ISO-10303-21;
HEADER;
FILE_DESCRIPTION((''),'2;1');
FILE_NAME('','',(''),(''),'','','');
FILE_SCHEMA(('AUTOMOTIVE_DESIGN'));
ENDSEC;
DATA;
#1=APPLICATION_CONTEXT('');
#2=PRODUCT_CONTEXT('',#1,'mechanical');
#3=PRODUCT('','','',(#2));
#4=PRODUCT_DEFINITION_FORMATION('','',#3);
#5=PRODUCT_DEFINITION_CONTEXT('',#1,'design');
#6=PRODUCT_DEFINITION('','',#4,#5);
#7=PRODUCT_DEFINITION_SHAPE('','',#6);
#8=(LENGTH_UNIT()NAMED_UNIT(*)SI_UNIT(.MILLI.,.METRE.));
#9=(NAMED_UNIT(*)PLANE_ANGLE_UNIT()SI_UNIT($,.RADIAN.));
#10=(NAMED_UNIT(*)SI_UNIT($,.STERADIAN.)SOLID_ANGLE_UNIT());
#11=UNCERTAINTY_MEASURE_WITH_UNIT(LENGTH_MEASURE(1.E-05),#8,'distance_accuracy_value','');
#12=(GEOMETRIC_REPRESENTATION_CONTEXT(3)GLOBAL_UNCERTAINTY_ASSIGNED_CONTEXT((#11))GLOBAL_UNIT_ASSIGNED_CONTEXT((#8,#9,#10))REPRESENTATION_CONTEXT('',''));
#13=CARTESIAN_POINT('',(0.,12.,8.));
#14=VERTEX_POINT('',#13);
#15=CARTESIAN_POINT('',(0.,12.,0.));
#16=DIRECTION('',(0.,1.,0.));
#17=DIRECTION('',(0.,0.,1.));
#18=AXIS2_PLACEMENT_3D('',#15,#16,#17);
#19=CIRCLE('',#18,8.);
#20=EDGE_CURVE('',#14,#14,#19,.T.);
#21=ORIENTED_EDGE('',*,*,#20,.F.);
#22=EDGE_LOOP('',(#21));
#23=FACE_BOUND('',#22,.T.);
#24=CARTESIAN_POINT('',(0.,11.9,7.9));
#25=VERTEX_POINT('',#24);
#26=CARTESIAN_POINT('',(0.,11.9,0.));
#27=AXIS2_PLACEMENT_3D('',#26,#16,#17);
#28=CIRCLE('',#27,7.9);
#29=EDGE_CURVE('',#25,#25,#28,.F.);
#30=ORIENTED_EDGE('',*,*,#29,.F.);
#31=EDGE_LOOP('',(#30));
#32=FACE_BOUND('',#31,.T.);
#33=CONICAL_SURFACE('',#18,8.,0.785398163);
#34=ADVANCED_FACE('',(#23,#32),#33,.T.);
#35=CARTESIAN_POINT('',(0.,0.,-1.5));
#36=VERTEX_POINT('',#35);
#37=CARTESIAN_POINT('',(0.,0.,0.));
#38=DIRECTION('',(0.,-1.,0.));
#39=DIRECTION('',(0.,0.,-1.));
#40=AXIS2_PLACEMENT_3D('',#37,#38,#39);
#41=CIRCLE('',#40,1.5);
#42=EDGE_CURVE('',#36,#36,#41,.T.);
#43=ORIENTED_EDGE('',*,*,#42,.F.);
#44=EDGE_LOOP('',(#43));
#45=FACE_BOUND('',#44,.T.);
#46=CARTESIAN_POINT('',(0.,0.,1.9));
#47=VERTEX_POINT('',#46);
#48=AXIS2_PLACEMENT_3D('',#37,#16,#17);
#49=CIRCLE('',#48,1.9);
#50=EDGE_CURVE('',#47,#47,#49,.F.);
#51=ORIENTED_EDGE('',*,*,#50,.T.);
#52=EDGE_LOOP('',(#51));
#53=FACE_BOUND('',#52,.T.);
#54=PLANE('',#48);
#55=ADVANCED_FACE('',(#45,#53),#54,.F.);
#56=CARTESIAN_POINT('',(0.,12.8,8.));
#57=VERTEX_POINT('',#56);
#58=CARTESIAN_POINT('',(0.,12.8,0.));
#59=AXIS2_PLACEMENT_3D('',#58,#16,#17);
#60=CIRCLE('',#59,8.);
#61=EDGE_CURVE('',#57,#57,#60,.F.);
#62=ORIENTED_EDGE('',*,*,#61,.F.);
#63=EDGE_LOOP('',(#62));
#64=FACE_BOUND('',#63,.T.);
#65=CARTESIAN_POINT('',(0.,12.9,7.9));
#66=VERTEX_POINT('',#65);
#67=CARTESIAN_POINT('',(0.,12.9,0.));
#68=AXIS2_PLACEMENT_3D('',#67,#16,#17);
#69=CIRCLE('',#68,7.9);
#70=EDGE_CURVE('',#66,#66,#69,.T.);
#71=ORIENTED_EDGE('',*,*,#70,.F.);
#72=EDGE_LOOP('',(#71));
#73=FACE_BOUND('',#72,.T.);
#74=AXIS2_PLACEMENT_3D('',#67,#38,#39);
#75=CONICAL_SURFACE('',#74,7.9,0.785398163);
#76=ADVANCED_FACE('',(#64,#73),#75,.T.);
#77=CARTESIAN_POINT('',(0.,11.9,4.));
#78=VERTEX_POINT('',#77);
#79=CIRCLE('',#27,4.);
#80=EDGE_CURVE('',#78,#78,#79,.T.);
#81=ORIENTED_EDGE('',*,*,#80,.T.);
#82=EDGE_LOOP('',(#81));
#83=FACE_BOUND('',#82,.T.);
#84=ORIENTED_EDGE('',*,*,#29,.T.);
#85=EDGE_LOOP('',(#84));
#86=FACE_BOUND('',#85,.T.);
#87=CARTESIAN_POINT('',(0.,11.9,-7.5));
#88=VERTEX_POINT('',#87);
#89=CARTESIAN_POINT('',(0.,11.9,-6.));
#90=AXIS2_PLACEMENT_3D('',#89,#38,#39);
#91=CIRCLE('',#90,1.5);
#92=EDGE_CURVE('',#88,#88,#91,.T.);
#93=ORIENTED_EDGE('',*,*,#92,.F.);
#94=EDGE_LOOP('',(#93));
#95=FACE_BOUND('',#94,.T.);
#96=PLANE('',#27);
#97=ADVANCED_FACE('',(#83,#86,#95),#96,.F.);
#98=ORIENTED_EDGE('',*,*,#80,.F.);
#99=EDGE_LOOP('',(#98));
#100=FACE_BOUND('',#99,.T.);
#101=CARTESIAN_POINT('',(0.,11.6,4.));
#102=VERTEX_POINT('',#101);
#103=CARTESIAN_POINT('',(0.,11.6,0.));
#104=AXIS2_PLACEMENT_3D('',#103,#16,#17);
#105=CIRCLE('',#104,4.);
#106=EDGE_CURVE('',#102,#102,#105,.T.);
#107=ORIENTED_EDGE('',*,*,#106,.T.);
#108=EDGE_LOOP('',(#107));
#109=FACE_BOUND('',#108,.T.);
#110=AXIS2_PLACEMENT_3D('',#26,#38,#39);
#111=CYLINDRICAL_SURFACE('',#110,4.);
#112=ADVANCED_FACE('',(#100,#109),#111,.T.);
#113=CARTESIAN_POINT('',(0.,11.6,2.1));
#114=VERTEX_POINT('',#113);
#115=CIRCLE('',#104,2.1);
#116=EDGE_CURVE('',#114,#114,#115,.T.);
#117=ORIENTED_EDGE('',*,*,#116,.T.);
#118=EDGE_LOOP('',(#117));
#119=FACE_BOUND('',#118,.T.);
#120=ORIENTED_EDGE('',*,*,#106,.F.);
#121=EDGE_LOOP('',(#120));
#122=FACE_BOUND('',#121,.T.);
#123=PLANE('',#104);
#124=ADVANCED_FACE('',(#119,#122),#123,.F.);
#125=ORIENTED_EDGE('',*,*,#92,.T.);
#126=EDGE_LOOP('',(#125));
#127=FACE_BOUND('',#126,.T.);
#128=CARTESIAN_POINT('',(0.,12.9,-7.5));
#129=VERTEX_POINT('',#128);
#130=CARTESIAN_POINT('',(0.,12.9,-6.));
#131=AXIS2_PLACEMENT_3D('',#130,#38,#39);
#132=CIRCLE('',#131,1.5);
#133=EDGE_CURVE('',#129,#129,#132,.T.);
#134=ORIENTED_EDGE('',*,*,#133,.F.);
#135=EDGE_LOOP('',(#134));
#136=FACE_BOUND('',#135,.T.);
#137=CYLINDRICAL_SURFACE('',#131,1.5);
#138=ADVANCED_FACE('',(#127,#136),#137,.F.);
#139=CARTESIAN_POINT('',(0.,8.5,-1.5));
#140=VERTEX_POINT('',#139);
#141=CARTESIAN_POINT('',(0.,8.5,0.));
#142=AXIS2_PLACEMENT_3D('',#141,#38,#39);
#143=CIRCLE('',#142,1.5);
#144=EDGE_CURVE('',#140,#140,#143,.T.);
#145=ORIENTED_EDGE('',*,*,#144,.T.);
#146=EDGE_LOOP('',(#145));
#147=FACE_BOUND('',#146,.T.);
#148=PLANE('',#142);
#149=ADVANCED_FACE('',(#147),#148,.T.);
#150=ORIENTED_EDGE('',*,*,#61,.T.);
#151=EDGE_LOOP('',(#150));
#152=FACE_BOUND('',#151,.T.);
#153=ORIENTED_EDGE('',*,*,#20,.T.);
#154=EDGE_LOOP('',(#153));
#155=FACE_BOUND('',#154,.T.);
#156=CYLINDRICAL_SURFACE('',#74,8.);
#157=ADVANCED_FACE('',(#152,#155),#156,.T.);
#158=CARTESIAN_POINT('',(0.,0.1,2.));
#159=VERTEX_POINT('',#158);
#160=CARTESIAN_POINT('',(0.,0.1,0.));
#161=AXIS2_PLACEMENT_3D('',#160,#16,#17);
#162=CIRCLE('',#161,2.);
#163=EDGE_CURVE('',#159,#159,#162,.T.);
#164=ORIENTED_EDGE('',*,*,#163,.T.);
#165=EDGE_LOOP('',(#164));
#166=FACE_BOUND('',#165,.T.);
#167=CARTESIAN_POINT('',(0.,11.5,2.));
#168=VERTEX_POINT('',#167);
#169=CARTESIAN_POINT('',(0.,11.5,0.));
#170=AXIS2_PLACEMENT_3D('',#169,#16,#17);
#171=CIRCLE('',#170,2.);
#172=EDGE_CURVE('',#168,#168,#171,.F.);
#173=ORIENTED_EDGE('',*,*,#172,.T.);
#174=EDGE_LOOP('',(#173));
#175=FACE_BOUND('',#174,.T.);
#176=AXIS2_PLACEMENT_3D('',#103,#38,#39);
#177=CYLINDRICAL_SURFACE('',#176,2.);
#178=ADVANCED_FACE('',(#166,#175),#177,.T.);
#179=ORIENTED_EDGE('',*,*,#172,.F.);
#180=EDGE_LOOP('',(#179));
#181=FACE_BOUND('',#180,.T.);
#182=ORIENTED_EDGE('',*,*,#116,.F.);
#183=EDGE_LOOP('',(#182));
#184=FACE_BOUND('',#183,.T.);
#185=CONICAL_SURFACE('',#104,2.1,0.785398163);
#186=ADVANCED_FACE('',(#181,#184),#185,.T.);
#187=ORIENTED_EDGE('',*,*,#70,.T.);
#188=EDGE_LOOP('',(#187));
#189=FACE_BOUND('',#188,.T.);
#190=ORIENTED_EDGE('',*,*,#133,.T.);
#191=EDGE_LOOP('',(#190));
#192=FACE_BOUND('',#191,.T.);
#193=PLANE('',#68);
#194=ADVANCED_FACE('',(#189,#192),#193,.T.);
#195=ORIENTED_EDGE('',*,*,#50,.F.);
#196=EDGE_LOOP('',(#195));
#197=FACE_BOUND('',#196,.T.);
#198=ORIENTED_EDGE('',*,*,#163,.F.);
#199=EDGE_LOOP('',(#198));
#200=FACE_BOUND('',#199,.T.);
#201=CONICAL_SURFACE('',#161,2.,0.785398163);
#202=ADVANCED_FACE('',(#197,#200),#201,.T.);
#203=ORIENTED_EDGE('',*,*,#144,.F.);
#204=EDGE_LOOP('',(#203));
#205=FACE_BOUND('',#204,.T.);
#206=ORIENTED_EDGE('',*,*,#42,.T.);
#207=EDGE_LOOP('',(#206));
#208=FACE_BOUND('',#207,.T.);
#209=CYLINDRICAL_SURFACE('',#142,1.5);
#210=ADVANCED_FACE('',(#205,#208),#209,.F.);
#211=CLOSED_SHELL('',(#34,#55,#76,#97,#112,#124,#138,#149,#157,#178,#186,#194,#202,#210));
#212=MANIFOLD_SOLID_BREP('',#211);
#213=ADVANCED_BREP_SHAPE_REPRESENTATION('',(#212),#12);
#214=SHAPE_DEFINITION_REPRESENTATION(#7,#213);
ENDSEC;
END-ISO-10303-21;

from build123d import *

# Parameters (mm, degrees)
SKETCH1_R           = 2
BOSS_EXTRUDE1_DEPTH = 11.6
SKETCH2_R           = 4
BOSS_EXTRUDE2_DEPTH = 0.3
SKETCH3_R           = 8
BOSS_EXTRUDE3_DEPTH = 1
SKETCH4_R           = 1.5
CUT_EXTRUDE1_DEPTH  = 8.5
CUT_EXTRUDE2_DEPTH  = 17.419805115
CHAMFER1_SIZE       = 0.1


with BuildPart() as part:
    # Sketch1 → Boss-Extrude1 (new body)
    with BuildSketch(Plane(origin=(0, 0, 0), x_dir=(1, 0, 0), z_dir=(0, 1, 0))):
        with Locations(Location((0, 0, 0), (0, 0, 270))):
            Circle(SKETCH1_R)
    extrude(amount=BOSS_EXTRUDE1_DEPTH)

    # Sketch2 → Boss-Extrude2 (add)
    with BuildSketch(Plane(origin=(0, 11.6, 0), x_dir=(1, 0, 0), z_dir=(0, 1, 0))):
        with Locations(Location((0, 0, 0), (0, 0, 270))):
            Circle(SKETCH2_R)
    extrude(amount=BOSS_EXTRUDE2_DEPTH)

    # Sketch3 → Boss-Extrude3 (add)
    with BuildSketch(Plane(origin=(0, 11.9, 0), x_dir=(1, 0, 0), z_dir=(0, 1, 0))):
        with Locations(Location((0, 0, 0), (0, 0, 270))):
            Circle(SKETCH3_R)
    extrude(amount=BOSS_EXTRUDE3_DEPTH)

    # Sketch4 → Cut-Extrude1 (cut)
    with BuildSketch(Plane.XZ):
        with Locations(Location((0, 0, 0), (0, 0, 270))):
            Circle(SKETCH4_R)
    extrude(amount=-CUT_EXTRUDE1_DEPTH, mode=Mode.SUBTRACT)

    # Sketch5 → Cut-Extrude2 (cut, through all)
    with BuildSketch(Plane.XZ.offset(-11.9)):
        with BuildLine():
            ThreePointArc((1.5, -6), (1.060660172, -4.939339828), (0, -4.5))
            Line((0, -4.5), (0, -7.5))
            ThreePointArc((0, -7.5), (1.060660172, -7.060660172), (1.5, -6))
        make_face()
        with BuildLine():
            Line((0, -7.5), (0, -4.5))
            ThreePointArc((0, -4.5), (-1.5, -6), (0, -7.5))
        make_face()
    extrude(amount=-CUT_EXTRUDE2_DEPTH, mode=Mode.SUBTRACT)

    # Chamfer1
    chamfer1_edges = [part.edges().sort_by_distance(p)[0] for p in [
        (0, 12.9, -8),
        (0, 0, -2),
        (0, 11.6, -2),
        (0, 11.9, -8),
    ]]
    chamfer(chamfer1_edges, length=CHAMFER1_SIZE)


solid = part.part
